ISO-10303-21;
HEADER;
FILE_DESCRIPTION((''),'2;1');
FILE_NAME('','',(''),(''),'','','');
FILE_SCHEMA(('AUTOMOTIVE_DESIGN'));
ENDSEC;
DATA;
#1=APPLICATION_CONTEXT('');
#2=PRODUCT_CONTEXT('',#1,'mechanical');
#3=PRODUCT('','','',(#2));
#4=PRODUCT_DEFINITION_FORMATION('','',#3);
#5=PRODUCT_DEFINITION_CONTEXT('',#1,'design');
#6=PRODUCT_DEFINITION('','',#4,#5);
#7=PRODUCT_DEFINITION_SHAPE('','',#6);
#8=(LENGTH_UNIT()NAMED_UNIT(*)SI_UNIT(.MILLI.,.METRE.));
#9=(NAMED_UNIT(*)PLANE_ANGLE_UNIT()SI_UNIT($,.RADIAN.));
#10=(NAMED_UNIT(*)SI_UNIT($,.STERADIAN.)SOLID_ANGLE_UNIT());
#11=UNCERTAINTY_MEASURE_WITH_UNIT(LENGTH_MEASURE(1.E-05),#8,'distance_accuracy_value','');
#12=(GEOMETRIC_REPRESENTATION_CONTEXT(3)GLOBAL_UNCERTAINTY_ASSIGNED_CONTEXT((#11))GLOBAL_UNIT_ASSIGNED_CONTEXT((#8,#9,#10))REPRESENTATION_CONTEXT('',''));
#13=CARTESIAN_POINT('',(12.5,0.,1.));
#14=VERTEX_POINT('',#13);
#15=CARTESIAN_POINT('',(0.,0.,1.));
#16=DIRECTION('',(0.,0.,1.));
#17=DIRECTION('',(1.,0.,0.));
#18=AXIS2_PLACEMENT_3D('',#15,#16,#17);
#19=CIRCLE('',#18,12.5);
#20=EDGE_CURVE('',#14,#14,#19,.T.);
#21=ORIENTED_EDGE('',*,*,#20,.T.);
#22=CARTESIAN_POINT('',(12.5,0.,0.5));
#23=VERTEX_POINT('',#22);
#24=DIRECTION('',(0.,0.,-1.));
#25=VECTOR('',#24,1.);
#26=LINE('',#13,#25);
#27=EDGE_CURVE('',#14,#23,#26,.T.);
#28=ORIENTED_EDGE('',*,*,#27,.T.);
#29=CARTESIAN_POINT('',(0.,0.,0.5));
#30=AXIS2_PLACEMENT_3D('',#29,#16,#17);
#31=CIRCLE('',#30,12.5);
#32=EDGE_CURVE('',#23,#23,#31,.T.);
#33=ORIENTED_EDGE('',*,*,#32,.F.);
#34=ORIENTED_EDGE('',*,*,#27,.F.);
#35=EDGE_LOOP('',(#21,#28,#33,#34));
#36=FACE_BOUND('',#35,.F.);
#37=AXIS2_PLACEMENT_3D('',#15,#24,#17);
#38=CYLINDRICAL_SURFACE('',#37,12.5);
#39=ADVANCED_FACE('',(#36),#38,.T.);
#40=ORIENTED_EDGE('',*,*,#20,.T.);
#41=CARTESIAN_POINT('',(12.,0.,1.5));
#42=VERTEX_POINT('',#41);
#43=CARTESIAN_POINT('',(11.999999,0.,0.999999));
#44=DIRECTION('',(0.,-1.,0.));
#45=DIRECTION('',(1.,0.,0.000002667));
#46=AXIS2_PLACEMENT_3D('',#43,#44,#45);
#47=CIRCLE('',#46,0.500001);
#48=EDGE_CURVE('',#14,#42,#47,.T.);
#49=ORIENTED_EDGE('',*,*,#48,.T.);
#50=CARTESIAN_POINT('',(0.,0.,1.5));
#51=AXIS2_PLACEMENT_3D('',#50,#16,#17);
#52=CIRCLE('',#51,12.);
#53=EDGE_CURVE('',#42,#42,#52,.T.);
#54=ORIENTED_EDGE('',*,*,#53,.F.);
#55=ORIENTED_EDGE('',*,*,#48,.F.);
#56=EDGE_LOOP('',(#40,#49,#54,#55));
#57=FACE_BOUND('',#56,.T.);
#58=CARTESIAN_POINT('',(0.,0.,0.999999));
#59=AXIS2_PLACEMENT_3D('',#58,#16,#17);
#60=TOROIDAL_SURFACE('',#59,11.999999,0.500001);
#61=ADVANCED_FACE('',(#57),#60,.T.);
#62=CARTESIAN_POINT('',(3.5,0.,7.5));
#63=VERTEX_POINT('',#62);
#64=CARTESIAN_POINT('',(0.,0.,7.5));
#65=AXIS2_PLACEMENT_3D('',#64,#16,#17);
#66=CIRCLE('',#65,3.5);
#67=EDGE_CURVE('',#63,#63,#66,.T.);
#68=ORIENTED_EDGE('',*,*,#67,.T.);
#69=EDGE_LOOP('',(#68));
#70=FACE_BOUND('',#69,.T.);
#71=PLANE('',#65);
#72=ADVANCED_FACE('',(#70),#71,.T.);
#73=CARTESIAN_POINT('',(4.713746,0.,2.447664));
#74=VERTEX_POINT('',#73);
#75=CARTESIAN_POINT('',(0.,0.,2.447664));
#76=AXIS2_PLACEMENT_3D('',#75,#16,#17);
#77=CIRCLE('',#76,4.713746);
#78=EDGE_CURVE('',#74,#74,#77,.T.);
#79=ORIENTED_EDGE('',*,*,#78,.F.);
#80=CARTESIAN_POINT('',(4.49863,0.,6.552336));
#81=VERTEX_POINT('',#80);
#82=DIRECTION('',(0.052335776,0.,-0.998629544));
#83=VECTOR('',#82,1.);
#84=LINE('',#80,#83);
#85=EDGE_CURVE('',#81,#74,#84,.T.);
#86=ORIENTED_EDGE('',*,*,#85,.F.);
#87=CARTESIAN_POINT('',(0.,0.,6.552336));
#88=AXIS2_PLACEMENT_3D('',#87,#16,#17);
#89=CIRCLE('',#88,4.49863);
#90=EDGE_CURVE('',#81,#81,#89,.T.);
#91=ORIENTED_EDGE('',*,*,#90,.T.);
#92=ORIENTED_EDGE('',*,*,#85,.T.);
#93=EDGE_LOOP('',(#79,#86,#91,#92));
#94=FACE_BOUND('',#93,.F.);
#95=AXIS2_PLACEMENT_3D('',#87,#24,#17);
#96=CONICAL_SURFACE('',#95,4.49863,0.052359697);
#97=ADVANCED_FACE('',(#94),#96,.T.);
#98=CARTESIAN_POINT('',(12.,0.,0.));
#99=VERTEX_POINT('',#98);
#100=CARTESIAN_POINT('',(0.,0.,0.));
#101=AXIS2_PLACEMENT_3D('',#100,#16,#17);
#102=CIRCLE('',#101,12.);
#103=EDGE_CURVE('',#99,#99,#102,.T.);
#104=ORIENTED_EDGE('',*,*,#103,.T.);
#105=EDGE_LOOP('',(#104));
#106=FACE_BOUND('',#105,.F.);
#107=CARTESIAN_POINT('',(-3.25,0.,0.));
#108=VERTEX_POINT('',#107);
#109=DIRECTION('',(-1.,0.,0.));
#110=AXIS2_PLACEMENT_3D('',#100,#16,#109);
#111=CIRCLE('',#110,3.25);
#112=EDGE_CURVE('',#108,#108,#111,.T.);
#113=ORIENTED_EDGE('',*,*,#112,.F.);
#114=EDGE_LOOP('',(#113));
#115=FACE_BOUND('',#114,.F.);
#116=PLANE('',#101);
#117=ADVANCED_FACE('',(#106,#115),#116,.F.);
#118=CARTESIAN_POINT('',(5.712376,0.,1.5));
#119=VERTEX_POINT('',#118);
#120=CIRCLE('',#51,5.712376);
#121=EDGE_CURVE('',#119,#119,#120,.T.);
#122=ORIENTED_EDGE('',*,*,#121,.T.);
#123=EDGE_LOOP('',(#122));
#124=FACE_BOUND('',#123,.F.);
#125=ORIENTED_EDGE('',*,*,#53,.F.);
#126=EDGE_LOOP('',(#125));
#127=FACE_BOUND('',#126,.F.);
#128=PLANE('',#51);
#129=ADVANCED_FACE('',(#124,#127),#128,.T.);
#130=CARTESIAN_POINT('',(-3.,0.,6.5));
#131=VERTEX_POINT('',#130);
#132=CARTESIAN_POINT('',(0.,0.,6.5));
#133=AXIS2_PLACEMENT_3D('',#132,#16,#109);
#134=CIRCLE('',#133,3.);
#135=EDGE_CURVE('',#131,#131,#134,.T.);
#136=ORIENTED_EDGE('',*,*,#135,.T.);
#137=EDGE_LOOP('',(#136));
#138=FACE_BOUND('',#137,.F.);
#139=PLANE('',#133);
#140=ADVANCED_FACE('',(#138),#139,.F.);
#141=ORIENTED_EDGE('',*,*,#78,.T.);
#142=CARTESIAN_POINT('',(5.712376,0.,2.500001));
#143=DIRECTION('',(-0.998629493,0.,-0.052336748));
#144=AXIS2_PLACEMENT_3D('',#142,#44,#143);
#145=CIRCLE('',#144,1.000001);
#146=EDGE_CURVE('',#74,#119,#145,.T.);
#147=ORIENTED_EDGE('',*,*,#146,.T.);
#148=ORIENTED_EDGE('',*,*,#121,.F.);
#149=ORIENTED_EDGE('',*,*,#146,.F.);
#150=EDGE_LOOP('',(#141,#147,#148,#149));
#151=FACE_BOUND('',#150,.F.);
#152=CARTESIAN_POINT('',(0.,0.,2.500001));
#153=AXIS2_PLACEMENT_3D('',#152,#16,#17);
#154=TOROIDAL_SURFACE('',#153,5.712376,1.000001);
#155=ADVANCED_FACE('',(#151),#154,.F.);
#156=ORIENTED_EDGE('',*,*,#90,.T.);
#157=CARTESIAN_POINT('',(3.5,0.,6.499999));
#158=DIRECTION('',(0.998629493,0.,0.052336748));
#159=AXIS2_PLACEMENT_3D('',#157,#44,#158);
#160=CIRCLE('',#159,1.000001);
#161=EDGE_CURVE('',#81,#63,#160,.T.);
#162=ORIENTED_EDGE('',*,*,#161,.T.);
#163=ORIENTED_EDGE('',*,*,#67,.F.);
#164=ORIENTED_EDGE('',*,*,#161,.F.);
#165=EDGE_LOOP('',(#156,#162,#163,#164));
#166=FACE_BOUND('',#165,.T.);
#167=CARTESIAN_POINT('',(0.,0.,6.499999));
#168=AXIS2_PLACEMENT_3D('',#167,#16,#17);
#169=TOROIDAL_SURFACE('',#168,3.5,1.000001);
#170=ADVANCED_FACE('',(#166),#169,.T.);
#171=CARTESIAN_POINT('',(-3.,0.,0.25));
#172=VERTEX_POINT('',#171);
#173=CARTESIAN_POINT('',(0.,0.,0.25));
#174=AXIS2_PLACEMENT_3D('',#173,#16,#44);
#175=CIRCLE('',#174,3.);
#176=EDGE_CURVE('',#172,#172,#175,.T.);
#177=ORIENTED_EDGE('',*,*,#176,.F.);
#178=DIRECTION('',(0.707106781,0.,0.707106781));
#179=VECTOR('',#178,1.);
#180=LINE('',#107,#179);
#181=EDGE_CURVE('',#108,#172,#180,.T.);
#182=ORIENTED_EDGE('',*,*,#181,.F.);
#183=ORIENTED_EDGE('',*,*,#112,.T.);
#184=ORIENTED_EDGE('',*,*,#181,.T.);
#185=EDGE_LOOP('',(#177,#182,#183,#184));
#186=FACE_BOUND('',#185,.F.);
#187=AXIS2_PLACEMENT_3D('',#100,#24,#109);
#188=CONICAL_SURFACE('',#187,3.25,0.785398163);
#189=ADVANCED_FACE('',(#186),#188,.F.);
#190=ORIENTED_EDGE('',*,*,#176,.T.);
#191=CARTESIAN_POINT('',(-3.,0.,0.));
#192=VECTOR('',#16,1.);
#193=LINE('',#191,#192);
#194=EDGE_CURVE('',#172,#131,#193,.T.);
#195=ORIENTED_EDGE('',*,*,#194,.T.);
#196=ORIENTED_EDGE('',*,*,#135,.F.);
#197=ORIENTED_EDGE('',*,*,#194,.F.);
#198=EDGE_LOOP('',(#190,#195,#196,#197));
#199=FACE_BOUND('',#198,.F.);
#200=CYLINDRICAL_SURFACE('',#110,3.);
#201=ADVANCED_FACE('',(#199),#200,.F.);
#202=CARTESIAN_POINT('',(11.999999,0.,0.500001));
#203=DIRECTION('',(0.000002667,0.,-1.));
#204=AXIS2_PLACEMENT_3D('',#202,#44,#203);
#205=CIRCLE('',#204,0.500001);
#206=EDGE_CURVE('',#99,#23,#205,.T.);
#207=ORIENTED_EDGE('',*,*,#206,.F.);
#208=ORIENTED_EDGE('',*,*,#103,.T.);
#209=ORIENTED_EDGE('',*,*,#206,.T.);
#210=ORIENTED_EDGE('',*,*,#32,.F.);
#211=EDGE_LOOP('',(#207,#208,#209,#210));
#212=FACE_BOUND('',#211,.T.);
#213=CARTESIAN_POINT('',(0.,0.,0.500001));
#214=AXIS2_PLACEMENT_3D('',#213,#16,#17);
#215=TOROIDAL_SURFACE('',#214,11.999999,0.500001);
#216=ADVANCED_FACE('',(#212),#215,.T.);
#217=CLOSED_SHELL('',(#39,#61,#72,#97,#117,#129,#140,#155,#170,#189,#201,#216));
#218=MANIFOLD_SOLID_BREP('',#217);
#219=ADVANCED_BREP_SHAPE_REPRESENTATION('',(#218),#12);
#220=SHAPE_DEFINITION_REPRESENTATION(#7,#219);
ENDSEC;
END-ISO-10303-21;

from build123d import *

# Parameters (mm, degrees)
HOLE_D           = 6
HOLE_DEPTH       = 6.5
HOLE_CSINK_D     = 6.5
HOLE_CSINK_ANGLE = 90


with BuildPart() as part:
    # Sketch → Revolution (revolve)
    with BuildSketch(Plane.XZ):
        with BuildLine():
            Line((12.5, 1), (12.5, 0.5))
            ThreePointArc((12, 0), (12.353553, 0.146447), (12.5, 0.5))
            Line((12, 0), (0, 0))
            Line((0, 7.5), (0, 0))
            Line((3.5, 7.5), (0, 7.5))
            ThreePointArc((4.49863, 6.552336), (4.188355, 7.225374), (3.5, 7.5))
            Line((4.49863, 6.552336), (4.713746, 2.447664))
            ThreePointArc((4.713746, 2.447664), (5.024021, 1.774626), (5.712376, 1.5))
            Line((5.712376, 1.5), (12, 1.5))
            ThreePointArc((12.5, 1), (12.353553, 1.353553), (12, 1.5))
        make_face()
    revolve(axis=Axis((0, 0, 0), (0, 0, 1)))

    # Hole
    with Locations(Plane(origin=(0, 0, 0), x_dir=(1, 0, 0), z_dir=(0, 0, -1))):
        with Locations((0, 0)):
            CounterSinkHole(HOLE_D / 2, HOLE_CSINK_D / 2, depth=HOLE_DEPTH, counter_sink_angle=HOLE_CSINK_ANGLE)


solid = part.part
